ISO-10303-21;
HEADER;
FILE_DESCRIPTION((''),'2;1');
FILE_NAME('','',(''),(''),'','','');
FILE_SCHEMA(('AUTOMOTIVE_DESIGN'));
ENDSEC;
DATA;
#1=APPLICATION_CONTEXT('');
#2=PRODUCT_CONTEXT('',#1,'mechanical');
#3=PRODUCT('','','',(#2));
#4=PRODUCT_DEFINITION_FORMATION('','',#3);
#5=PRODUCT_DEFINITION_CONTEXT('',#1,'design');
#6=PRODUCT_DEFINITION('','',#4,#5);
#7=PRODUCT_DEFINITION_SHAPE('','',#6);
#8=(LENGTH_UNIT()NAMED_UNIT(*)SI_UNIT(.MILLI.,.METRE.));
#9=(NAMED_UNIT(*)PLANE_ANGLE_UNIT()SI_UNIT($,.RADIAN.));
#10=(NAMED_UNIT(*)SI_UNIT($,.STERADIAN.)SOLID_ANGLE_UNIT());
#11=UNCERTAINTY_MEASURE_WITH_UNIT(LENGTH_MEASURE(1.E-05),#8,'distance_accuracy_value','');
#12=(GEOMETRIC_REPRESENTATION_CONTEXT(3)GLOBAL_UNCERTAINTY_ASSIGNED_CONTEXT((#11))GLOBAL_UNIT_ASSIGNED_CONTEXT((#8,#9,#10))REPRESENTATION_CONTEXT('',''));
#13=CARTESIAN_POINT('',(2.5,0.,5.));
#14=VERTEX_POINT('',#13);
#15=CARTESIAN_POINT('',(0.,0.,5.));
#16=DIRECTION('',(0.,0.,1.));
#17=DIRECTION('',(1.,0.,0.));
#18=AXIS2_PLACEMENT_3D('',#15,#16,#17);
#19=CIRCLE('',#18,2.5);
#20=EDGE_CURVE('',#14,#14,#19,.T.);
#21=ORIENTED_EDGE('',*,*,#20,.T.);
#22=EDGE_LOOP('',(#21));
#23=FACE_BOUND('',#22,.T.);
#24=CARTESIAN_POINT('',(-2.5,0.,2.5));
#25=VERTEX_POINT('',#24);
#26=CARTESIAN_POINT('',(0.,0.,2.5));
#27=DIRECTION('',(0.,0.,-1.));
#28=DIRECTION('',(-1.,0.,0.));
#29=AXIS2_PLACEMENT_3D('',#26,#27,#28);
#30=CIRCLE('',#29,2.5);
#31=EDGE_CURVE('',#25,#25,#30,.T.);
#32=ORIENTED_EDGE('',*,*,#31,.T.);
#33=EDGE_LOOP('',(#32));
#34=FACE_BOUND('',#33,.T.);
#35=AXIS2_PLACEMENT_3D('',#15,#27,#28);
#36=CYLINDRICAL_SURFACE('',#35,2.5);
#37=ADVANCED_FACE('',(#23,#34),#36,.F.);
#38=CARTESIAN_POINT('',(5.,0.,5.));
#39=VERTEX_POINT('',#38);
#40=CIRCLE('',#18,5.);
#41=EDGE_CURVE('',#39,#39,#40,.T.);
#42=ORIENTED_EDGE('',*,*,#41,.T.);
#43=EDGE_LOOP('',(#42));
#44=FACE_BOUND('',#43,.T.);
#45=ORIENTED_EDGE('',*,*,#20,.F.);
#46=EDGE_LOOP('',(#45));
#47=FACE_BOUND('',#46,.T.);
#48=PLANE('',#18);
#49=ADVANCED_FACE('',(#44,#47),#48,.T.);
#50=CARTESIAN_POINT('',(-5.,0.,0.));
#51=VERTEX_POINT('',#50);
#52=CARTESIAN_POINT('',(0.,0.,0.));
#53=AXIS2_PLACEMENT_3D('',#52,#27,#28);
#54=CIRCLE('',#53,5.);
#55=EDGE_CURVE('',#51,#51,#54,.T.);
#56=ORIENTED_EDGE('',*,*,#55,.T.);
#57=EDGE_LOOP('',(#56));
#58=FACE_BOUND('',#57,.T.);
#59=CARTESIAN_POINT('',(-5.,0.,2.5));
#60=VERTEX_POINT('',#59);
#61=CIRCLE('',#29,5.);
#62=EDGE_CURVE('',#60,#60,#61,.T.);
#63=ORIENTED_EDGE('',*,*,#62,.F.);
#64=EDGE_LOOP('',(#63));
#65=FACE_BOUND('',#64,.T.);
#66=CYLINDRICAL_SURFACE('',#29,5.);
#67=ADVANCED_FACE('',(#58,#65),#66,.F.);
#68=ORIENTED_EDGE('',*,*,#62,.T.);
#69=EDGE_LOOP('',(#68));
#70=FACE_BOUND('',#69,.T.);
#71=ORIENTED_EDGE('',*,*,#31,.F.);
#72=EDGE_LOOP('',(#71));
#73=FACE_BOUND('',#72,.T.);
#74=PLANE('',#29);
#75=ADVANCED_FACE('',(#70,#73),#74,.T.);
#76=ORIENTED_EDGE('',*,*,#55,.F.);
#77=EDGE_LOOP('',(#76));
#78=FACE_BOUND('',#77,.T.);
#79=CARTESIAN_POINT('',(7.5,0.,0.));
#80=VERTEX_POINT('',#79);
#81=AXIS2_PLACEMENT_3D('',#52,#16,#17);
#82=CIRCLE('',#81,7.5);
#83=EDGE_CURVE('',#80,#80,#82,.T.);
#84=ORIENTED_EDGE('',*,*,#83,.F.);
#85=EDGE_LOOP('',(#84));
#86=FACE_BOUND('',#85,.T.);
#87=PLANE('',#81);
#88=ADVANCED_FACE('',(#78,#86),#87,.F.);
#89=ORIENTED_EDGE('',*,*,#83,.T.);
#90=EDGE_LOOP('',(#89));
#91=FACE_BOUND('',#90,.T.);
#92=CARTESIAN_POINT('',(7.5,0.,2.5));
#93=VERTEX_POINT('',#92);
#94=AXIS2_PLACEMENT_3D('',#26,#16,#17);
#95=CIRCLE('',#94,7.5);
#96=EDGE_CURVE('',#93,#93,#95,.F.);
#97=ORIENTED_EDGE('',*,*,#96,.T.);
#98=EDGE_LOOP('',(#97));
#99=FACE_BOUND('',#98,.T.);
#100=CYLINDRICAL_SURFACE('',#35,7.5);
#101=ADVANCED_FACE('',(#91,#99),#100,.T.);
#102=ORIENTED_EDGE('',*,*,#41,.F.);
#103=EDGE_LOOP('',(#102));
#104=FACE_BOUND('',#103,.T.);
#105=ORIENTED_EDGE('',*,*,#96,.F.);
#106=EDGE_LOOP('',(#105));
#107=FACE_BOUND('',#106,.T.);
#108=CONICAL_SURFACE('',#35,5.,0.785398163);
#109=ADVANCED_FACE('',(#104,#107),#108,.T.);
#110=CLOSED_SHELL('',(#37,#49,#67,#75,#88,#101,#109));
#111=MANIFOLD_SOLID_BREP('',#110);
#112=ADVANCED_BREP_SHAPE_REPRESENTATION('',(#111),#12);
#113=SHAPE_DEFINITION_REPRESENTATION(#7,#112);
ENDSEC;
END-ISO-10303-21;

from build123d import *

# Parameters (mm, degrees)
SKETCH1_R           = 7.5
SKETCH1_R_2         = 2.5
BOSS_EXTRUDE1_DEPTH = 5
CHAMFER1_SIZE       = 2.5
SKETCH2_R           = 5
CUT_EXTRUDE1_DEPTH  = 2.5


with BuildPart() as part:
    # Sketch1 → Boss-Extrude1 (new body)
    with BuildSketch(Plane.XY):
        Circle(SKETCH1_R)
        Circle(SKETCH1_R_2, mode=Mode.SUBTRACT)
    extrude(amount=BOSS_EXTRUDE1_DEPTH)

    # Chamfer1
    chamfer1_edges = [part.edges().sort_by_distance(p)[0] for p in [
        (-7.5, 0, 5),
    ]]
    chamfer(chamfer1_edges, length=CHAMFER1_SIZE)

    # Sketch2 → Cut-Extrude1 (cut)
    with BuildSketch(Plane(origin=(0, 0, 0), x_dir=(-1, 0, 0), z_dir=(0, 0, -1))):
        Circle(SKETCH2_R)
    extrude(amount=-CUT_EXTRUDE1_DEPTH, mode=Mode.SUBTRACT)


solid = part.part
